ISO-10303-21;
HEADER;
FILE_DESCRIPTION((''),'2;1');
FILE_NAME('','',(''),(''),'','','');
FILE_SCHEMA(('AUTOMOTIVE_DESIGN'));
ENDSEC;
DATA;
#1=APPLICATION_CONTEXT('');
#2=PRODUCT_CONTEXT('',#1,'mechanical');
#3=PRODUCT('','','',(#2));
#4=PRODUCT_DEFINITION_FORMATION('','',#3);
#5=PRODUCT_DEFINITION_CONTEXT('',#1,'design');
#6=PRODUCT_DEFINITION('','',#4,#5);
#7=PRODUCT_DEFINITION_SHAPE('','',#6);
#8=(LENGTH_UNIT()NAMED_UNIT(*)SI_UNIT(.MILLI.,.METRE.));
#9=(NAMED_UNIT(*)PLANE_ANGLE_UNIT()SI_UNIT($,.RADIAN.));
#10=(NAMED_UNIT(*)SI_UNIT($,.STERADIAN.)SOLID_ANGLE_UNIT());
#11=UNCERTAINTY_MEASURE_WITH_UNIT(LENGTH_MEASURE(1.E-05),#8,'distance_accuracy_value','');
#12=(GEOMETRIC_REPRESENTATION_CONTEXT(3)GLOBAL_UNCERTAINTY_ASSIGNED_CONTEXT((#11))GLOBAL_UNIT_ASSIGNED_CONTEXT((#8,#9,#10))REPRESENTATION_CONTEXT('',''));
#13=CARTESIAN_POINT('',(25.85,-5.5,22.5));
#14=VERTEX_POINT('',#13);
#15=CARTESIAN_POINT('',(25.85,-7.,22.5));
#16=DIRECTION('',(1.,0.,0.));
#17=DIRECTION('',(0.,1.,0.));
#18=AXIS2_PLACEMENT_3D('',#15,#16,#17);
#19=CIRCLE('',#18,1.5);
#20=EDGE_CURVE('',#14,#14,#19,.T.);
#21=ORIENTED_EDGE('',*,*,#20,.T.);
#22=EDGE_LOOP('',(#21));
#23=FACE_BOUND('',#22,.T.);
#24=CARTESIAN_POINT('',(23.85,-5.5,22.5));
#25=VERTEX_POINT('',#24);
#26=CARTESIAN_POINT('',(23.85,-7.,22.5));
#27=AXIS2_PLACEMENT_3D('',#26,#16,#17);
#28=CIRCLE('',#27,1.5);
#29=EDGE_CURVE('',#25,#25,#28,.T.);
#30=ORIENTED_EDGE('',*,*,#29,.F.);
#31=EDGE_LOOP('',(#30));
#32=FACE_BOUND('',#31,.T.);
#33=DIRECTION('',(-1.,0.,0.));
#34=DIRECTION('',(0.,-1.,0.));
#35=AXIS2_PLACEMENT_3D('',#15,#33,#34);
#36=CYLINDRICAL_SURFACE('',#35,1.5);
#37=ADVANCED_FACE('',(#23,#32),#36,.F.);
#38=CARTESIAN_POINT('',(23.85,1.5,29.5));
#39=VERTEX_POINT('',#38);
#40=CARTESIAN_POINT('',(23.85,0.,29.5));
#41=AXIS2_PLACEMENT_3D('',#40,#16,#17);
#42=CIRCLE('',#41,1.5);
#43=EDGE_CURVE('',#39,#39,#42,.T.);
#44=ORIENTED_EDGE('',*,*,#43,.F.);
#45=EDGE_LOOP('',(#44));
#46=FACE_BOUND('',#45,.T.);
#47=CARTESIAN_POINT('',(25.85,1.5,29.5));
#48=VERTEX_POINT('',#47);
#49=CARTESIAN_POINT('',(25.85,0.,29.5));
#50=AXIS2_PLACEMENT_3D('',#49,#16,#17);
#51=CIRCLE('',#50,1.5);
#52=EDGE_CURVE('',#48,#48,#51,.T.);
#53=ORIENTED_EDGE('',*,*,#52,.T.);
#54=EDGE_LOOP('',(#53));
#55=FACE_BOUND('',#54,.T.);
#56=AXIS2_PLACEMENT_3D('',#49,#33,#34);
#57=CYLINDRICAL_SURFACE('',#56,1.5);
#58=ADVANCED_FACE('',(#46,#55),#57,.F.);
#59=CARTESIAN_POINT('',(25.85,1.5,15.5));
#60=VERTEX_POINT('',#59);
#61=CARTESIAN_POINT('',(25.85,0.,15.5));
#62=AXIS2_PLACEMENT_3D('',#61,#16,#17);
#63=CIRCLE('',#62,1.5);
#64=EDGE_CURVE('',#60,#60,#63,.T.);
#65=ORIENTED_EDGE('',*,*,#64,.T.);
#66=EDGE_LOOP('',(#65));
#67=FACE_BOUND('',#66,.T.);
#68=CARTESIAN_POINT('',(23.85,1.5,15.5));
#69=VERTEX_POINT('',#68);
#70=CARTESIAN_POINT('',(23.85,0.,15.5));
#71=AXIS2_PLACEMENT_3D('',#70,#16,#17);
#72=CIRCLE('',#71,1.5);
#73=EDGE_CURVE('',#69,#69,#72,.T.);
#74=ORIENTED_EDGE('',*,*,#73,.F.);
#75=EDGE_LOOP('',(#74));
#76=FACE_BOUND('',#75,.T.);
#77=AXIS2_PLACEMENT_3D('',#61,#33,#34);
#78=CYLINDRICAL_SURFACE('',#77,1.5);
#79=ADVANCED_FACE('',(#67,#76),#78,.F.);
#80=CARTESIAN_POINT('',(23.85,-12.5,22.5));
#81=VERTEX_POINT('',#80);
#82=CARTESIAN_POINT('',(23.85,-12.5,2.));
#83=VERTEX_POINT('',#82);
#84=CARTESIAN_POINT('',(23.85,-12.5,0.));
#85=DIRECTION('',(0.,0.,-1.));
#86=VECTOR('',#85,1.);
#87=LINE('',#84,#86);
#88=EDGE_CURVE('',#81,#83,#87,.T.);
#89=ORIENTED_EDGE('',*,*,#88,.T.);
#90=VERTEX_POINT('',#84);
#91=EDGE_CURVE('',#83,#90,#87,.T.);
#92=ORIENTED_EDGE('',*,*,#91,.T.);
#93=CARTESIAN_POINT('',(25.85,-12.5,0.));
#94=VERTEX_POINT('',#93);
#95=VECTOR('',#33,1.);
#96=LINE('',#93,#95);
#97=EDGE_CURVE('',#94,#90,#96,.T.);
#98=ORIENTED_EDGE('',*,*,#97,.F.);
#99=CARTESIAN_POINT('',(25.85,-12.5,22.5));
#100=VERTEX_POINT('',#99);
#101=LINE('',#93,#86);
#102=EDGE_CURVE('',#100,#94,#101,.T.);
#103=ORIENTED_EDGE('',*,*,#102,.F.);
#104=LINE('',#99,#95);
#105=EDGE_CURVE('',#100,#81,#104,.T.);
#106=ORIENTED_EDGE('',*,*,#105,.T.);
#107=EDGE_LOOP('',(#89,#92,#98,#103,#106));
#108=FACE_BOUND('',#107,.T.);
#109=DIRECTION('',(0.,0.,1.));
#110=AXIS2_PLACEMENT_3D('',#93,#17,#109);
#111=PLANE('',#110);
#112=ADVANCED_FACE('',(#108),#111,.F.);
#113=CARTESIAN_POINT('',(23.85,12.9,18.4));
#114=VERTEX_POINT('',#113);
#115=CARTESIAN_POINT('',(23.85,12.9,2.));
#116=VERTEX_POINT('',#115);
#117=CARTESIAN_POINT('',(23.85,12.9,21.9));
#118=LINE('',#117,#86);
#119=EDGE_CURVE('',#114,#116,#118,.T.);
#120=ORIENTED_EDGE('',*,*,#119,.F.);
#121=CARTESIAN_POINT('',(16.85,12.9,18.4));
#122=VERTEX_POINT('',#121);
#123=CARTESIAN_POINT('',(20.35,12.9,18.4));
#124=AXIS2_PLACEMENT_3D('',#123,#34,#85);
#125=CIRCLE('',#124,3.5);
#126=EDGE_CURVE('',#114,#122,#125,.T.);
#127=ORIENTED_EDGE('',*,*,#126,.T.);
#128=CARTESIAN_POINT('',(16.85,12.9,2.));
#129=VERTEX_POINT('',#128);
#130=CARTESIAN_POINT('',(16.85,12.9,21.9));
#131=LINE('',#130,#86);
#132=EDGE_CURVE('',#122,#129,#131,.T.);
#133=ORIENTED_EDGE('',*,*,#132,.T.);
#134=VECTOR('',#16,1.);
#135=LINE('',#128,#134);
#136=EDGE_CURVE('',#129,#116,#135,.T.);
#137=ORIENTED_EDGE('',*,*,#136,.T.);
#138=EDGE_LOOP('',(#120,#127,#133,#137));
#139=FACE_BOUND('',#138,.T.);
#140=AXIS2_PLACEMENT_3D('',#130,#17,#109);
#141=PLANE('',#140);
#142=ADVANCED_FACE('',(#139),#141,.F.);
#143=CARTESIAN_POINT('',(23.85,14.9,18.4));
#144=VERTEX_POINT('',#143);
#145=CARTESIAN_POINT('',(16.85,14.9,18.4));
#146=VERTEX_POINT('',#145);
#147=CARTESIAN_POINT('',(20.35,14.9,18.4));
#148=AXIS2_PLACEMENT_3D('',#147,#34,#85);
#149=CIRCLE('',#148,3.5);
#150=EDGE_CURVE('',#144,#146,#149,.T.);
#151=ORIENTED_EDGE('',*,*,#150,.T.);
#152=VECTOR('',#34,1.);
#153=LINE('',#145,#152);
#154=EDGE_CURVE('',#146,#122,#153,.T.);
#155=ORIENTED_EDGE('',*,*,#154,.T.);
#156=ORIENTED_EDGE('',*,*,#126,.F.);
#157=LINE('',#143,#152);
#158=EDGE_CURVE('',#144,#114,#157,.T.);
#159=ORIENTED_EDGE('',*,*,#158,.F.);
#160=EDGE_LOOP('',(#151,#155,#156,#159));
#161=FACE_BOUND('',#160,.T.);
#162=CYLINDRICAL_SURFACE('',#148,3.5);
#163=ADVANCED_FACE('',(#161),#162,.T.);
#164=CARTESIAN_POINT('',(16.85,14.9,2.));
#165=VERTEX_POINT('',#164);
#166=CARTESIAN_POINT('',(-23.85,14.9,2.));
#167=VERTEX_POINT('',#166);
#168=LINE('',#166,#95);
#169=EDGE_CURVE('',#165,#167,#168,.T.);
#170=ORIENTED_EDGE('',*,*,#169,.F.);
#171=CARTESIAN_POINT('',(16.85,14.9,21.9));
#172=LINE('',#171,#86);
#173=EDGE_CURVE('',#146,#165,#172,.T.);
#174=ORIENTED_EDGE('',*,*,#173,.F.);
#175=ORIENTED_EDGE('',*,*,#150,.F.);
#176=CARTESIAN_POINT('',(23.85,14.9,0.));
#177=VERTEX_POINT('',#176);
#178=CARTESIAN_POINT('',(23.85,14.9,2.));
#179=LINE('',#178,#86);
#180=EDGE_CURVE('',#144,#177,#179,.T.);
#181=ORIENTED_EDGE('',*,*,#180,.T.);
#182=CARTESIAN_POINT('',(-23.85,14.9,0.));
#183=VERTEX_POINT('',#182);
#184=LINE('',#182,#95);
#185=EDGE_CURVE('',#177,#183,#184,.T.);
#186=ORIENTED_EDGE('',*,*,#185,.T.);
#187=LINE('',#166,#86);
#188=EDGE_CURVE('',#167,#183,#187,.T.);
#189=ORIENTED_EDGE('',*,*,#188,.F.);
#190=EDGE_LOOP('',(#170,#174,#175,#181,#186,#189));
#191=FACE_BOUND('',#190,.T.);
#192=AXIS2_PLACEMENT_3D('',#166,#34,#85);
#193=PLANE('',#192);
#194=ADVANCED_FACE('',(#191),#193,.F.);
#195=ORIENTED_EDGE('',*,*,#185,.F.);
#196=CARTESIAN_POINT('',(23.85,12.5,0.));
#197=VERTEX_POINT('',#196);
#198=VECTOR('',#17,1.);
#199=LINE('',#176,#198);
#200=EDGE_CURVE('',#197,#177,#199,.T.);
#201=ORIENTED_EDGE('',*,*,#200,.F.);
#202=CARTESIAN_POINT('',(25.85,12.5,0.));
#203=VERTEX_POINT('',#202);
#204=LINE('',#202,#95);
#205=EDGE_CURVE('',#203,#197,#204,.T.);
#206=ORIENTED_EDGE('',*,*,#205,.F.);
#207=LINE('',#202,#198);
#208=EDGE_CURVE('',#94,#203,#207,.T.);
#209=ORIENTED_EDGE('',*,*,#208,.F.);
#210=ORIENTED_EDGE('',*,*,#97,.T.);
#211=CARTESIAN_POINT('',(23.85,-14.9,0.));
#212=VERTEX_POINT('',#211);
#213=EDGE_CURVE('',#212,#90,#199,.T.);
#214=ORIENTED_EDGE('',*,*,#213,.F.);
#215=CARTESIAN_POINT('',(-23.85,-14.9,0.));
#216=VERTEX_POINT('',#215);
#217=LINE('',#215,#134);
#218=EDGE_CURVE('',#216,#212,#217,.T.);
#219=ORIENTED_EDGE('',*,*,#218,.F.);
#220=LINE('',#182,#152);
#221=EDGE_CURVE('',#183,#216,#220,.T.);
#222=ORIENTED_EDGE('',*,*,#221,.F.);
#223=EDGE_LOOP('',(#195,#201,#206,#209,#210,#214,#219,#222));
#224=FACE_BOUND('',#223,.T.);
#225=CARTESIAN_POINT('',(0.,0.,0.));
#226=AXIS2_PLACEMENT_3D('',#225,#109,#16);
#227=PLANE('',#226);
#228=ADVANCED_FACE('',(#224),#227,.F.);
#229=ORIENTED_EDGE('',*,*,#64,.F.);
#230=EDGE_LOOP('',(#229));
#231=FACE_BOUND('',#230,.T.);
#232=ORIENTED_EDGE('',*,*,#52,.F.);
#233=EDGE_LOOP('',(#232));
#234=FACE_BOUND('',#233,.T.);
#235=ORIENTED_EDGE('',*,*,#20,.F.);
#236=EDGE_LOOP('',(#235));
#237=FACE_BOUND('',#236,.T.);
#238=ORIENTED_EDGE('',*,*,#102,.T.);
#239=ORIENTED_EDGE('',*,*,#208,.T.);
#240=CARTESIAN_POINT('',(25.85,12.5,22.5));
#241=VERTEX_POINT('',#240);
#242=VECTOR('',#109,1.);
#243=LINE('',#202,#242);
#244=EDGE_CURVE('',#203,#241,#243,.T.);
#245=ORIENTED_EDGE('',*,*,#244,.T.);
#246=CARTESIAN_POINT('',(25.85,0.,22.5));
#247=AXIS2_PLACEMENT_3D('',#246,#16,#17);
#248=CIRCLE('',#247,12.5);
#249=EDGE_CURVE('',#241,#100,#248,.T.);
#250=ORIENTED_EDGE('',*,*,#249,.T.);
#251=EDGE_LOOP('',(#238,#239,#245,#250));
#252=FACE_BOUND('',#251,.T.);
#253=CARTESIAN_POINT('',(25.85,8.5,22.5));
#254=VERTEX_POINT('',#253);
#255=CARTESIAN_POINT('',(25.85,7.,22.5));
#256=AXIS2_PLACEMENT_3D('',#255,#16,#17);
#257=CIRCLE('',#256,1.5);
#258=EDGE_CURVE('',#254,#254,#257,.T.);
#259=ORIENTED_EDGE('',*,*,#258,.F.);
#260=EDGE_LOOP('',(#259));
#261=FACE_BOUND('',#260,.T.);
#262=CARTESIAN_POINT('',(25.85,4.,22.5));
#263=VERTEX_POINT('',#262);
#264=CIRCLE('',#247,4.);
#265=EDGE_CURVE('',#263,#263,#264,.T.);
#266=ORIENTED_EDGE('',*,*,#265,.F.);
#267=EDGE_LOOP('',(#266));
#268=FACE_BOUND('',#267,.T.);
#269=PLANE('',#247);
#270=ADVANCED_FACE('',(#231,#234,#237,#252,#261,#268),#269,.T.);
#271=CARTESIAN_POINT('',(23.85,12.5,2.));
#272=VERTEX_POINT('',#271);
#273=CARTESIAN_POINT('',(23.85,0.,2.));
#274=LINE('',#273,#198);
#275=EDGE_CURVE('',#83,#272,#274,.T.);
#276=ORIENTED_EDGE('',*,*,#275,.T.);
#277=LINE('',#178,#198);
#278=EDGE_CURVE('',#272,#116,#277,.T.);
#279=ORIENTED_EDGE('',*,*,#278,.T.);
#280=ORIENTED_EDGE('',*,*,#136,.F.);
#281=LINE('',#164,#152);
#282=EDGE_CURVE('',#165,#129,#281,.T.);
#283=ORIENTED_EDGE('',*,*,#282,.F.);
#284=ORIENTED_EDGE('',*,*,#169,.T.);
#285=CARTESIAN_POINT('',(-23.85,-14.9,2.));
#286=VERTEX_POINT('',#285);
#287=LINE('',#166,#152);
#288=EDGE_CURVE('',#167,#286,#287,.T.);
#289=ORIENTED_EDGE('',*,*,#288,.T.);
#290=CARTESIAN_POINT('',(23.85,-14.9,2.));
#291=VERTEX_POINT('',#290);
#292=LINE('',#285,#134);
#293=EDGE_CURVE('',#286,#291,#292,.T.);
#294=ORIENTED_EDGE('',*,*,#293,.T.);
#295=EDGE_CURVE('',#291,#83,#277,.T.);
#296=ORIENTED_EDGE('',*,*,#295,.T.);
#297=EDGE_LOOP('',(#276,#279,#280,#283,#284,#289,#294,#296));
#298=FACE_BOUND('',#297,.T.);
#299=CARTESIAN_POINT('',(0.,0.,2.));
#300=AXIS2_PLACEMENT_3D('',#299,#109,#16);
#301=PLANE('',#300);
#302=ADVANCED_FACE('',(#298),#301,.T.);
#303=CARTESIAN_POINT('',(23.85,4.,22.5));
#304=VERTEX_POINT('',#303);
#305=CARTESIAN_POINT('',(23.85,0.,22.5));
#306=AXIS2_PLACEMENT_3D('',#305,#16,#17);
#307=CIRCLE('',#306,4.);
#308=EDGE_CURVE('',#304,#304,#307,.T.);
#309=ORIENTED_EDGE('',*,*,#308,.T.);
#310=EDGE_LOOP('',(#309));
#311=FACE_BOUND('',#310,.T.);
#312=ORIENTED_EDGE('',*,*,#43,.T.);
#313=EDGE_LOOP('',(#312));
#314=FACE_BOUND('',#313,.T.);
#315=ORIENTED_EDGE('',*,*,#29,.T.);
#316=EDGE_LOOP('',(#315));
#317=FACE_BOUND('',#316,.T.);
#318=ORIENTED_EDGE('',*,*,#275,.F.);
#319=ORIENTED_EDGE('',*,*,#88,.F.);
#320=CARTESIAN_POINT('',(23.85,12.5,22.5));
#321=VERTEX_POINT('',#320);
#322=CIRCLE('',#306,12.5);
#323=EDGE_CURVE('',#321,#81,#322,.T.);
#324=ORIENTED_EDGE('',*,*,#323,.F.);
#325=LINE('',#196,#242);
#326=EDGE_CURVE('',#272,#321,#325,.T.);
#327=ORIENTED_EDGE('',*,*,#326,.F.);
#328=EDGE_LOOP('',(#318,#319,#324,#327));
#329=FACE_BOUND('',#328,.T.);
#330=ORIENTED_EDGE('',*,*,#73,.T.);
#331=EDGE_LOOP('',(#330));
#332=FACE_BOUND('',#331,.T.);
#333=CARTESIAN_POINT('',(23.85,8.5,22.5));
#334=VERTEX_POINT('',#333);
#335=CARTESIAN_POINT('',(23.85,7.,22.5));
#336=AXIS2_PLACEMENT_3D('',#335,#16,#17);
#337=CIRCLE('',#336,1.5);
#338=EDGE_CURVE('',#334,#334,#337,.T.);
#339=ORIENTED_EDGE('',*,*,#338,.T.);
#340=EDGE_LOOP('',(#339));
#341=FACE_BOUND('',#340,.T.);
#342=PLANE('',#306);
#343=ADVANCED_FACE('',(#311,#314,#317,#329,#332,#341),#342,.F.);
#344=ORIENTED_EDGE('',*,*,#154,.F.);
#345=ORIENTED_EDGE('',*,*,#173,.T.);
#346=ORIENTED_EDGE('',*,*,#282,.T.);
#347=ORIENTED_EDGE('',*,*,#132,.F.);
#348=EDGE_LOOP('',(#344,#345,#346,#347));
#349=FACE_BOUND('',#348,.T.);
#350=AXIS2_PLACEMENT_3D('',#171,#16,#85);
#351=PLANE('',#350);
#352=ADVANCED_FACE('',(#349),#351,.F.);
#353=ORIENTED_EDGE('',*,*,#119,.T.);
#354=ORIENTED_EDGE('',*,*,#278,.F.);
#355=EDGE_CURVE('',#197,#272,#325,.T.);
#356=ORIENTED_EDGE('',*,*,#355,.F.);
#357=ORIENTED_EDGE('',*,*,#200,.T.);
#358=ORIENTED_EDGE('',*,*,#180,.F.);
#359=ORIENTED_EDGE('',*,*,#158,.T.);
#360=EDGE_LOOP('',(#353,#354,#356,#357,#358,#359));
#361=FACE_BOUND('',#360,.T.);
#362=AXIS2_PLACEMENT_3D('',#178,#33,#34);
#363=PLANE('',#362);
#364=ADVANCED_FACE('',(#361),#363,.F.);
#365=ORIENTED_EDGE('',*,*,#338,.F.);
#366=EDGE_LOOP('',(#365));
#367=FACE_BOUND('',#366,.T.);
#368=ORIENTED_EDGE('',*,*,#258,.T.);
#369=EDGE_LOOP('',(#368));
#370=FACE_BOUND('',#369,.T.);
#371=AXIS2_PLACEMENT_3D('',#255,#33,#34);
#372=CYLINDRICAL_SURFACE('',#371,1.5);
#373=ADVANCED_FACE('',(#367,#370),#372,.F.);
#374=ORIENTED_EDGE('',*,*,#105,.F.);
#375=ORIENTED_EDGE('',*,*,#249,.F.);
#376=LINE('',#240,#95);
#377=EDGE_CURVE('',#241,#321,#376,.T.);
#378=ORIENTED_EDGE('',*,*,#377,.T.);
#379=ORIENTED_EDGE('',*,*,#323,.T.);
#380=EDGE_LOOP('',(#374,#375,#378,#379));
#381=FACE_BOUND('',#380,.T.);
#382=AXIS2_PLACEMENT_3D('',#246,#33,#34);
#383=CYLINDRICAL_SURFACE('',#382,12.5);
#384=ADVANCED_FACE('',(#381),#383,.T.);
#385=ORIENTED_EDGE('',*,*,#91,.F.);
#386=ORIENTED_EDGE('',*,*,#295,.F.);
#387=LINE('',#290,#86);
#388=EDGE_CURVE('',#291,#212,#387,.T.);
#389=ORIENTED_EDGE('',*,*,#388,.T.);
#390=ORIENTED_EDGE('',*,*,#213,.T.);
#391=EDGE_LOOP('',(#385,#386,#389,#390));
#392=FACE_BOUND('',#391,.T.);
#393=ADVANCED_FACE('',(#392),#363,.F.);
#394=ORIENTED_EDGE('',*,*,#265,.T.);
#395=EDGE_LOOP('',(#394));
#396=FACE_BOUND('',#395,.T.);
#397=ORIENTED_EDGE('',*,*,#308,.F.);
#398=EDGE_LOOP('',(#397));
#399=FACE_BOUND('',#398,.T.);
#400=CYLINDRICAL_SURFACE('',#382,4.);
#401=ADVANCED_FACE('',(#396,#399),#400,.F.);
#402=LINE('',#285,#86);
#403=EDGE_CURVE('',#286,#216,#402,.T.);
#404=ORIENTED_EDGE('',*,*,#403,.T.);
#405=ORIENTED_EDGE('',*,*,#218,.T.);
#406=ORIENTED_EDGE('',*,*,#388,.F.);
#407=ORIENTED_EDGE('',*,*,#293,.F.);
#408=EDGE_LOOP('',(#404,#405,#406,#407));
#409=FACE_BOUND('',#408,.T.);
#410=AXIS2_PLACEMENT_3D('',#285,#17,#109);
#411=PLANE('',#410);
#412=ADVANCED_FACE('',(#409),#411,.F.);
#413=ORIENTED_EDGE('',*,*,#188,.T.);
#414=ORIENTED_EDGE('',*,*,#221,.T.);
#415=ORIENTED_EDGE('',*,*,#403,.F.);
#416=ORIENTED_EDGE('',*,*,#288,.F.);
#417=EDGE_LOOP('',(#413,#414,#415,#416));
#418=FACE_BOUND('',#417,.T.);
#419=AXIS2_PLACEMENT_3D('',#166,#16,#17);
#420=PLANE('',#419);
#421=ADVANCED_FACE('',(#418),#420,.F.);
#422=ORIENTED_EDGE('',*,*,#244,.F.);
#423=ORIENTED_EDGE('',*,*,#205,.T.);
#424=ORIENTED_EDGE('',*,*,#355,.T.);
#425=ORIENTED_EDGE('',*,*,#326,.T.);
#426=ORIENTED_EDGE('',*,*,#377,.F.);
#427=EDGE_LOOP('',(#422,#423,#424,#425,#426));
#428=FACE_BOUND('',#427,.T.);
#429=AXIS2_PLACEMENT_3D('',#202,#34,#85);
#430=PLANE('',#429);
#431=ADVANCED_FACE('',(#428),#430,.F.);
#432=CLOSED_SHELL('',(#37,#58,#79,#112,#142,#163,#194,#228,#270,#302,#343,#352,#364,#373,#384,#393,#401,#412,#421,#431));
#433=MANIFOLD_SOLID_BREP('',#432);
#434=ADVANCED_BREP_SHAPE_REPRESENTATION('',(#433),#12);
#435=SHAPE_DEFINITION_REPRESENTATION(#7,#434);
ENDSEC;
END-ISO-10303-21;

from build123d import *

# Parameters (mm, degrees)
SKETCH_1_W          = 47.7
SKETCH_1_H          = 29.8
EXTRUDE_1_DEPTH     = 2
SKETCH_2_W          = 7
SKETCH_2_H          = 2
EXTRUDE_3_DEPTH     = 19.9
CUT_EXTRUDE_1_DEPTH = 43.676369339
SKETCH_4_R          = 4
SKETCH_4_R_2        = 1.5
EXTRUDE_4_DEPTH     = 2
SKETCH_5_R          = 4
SKETCH_5_R_2        = 1.5
EXTRUDE_5_DEPTH     = 2


with BuildPart() as part:
    # 스케치1 → 보스-돌출1 (new body)
    with BuildSketch(Plane.XY):
        Rectangle(SKETCH_1_W, SKETCH_1_H)
    extrude(amount=EXTRUDE_1_DEPTH)

    # 스케치2 → 보스-돌출3 (add)
    with BuildSketch(Plane.XY.offset(2)):
        with Locations((20.35, 13.9)):
            Rectangle(SKETCH_2_W, SKETCH_2_H)
    extrude(amount=EXTRUDE_3_DEPTH)

    # 스케치3 → 컷-돌출1 (cut, through all)
    with BuildSketch(Plane.XZ.offset(-12.9)):
        with BuildLine():
            Line((16.85, 21.9), (16.85, 18.4))
            ThreePointArc((16.85, 18.4), (17.875126266, 20.874873734), (20.35, 21.9))
            Line((20.35, 21.9), (16.85, 21.9))
        make_face()
        with BuildLine():
            ThreePointArc((20.35, 21.9), (22.824873734, 20.874873734), (23.85, 18.4))
            Line((23.85, 18.4), (23.85, 21.9))
            Line((23.85, 21.9), (20.35, 21.9))
        make_face()
    extrude(amount=-CUT_EXTRUDE_1_DEPTH, mode=Mode.SUBTRACT)

    # 스케치4 → 보스-돌출4 (add)
    with BuildSketch(Plane(origin=(23.85, 0, 0), x_dir=(0, 0, -1), z_dir=(1, 0, 0))):
        with BuildLine():
            Line((0, 12.5), (0, -12.5))
            Line((0, -12.5), (-22.5, -12.5))
            ThreePointArc((-22.5, -12.5), (-35, 0), (-22.5, 12.5))
            Line((-22.5, 12.5), (0, 12.5))
        make_face()
        with Locations(Location((-22.5, 0, 0), (0, 0, 90))):
            Circle(SKETCH_4_R, mode=Mode.SUBTRACT)
        with Locations(Location((-29.5, 0, 0), (0, 0, 90))):
            Circle(SKETCH_4_R_2, mode=Mode.SUBTRACT)
        with Locations(Location((-22.5, 7, 0), (0, 0, 90))):
            Circle(SKETCH_4_R_2, mode=Mode.SUBTRACT)
        with Locations(Location((-15.5, 0, 0), (0, 0, 90))):
            Circle(SKETCH_4_R_2, mode=Mode.SUBTRACT)
        with Locations(Location((-22.5, -7, 0), (0, 0, 90))):
            Circle(SKETCH_4_R_2, mode=Mode.SUBTRACT)
    extrude(amount=EXTRUDE_4_DEPTH)

    # 스케치5 → 보스-돌출5 (add)
    with BuildSketch(Plane(origin=(23.85, 0, 0), x_dir=(0, 0, -1), z_dir=(1, 0, 0))):
        with BuildLine():
            Line((0, 12.5), (-22.5, 12.5))
            ThreePointArc((-22.5, 12.5), (-35, 0), (-22.5, -12.5))
            Line((-22.5, -12.5), (0, -12.5))
            Line((0, -12.5), (0, 12.5))
        make_face()
        with Locations(Location((-22.5, 0, 0), (0, 0, 90))):
            Circle(SKETCH_5_R, mode=Mode.SUBTRACT)
        with Locations(Location((-15.5, 0, 0), (0, 0, 90))):
            Circle(SKETCH_5_R_2, mode=Mode.SUBTRACT)
        with Locations(Location((-22.5, -7, 0), (0, 0, 90))):
            Circle(SKETCH_5_R_2, mode=Mode.SUBTRACT)
        with Locations(Location((-29.5, 0, 0), (0, 0, 90))):
            Circle(SKETCH_5_R_2, mode=Mode.SUBTRACT)
        with Locations(Location((-22.5, 7, 0), (0, 0, 90))):
            Circle(SKETCH_5_R_2, mode=Mode.SUBTRACT)
    extrude(amount=EXTRUDE_5_DEPTH)


solid = part.part
